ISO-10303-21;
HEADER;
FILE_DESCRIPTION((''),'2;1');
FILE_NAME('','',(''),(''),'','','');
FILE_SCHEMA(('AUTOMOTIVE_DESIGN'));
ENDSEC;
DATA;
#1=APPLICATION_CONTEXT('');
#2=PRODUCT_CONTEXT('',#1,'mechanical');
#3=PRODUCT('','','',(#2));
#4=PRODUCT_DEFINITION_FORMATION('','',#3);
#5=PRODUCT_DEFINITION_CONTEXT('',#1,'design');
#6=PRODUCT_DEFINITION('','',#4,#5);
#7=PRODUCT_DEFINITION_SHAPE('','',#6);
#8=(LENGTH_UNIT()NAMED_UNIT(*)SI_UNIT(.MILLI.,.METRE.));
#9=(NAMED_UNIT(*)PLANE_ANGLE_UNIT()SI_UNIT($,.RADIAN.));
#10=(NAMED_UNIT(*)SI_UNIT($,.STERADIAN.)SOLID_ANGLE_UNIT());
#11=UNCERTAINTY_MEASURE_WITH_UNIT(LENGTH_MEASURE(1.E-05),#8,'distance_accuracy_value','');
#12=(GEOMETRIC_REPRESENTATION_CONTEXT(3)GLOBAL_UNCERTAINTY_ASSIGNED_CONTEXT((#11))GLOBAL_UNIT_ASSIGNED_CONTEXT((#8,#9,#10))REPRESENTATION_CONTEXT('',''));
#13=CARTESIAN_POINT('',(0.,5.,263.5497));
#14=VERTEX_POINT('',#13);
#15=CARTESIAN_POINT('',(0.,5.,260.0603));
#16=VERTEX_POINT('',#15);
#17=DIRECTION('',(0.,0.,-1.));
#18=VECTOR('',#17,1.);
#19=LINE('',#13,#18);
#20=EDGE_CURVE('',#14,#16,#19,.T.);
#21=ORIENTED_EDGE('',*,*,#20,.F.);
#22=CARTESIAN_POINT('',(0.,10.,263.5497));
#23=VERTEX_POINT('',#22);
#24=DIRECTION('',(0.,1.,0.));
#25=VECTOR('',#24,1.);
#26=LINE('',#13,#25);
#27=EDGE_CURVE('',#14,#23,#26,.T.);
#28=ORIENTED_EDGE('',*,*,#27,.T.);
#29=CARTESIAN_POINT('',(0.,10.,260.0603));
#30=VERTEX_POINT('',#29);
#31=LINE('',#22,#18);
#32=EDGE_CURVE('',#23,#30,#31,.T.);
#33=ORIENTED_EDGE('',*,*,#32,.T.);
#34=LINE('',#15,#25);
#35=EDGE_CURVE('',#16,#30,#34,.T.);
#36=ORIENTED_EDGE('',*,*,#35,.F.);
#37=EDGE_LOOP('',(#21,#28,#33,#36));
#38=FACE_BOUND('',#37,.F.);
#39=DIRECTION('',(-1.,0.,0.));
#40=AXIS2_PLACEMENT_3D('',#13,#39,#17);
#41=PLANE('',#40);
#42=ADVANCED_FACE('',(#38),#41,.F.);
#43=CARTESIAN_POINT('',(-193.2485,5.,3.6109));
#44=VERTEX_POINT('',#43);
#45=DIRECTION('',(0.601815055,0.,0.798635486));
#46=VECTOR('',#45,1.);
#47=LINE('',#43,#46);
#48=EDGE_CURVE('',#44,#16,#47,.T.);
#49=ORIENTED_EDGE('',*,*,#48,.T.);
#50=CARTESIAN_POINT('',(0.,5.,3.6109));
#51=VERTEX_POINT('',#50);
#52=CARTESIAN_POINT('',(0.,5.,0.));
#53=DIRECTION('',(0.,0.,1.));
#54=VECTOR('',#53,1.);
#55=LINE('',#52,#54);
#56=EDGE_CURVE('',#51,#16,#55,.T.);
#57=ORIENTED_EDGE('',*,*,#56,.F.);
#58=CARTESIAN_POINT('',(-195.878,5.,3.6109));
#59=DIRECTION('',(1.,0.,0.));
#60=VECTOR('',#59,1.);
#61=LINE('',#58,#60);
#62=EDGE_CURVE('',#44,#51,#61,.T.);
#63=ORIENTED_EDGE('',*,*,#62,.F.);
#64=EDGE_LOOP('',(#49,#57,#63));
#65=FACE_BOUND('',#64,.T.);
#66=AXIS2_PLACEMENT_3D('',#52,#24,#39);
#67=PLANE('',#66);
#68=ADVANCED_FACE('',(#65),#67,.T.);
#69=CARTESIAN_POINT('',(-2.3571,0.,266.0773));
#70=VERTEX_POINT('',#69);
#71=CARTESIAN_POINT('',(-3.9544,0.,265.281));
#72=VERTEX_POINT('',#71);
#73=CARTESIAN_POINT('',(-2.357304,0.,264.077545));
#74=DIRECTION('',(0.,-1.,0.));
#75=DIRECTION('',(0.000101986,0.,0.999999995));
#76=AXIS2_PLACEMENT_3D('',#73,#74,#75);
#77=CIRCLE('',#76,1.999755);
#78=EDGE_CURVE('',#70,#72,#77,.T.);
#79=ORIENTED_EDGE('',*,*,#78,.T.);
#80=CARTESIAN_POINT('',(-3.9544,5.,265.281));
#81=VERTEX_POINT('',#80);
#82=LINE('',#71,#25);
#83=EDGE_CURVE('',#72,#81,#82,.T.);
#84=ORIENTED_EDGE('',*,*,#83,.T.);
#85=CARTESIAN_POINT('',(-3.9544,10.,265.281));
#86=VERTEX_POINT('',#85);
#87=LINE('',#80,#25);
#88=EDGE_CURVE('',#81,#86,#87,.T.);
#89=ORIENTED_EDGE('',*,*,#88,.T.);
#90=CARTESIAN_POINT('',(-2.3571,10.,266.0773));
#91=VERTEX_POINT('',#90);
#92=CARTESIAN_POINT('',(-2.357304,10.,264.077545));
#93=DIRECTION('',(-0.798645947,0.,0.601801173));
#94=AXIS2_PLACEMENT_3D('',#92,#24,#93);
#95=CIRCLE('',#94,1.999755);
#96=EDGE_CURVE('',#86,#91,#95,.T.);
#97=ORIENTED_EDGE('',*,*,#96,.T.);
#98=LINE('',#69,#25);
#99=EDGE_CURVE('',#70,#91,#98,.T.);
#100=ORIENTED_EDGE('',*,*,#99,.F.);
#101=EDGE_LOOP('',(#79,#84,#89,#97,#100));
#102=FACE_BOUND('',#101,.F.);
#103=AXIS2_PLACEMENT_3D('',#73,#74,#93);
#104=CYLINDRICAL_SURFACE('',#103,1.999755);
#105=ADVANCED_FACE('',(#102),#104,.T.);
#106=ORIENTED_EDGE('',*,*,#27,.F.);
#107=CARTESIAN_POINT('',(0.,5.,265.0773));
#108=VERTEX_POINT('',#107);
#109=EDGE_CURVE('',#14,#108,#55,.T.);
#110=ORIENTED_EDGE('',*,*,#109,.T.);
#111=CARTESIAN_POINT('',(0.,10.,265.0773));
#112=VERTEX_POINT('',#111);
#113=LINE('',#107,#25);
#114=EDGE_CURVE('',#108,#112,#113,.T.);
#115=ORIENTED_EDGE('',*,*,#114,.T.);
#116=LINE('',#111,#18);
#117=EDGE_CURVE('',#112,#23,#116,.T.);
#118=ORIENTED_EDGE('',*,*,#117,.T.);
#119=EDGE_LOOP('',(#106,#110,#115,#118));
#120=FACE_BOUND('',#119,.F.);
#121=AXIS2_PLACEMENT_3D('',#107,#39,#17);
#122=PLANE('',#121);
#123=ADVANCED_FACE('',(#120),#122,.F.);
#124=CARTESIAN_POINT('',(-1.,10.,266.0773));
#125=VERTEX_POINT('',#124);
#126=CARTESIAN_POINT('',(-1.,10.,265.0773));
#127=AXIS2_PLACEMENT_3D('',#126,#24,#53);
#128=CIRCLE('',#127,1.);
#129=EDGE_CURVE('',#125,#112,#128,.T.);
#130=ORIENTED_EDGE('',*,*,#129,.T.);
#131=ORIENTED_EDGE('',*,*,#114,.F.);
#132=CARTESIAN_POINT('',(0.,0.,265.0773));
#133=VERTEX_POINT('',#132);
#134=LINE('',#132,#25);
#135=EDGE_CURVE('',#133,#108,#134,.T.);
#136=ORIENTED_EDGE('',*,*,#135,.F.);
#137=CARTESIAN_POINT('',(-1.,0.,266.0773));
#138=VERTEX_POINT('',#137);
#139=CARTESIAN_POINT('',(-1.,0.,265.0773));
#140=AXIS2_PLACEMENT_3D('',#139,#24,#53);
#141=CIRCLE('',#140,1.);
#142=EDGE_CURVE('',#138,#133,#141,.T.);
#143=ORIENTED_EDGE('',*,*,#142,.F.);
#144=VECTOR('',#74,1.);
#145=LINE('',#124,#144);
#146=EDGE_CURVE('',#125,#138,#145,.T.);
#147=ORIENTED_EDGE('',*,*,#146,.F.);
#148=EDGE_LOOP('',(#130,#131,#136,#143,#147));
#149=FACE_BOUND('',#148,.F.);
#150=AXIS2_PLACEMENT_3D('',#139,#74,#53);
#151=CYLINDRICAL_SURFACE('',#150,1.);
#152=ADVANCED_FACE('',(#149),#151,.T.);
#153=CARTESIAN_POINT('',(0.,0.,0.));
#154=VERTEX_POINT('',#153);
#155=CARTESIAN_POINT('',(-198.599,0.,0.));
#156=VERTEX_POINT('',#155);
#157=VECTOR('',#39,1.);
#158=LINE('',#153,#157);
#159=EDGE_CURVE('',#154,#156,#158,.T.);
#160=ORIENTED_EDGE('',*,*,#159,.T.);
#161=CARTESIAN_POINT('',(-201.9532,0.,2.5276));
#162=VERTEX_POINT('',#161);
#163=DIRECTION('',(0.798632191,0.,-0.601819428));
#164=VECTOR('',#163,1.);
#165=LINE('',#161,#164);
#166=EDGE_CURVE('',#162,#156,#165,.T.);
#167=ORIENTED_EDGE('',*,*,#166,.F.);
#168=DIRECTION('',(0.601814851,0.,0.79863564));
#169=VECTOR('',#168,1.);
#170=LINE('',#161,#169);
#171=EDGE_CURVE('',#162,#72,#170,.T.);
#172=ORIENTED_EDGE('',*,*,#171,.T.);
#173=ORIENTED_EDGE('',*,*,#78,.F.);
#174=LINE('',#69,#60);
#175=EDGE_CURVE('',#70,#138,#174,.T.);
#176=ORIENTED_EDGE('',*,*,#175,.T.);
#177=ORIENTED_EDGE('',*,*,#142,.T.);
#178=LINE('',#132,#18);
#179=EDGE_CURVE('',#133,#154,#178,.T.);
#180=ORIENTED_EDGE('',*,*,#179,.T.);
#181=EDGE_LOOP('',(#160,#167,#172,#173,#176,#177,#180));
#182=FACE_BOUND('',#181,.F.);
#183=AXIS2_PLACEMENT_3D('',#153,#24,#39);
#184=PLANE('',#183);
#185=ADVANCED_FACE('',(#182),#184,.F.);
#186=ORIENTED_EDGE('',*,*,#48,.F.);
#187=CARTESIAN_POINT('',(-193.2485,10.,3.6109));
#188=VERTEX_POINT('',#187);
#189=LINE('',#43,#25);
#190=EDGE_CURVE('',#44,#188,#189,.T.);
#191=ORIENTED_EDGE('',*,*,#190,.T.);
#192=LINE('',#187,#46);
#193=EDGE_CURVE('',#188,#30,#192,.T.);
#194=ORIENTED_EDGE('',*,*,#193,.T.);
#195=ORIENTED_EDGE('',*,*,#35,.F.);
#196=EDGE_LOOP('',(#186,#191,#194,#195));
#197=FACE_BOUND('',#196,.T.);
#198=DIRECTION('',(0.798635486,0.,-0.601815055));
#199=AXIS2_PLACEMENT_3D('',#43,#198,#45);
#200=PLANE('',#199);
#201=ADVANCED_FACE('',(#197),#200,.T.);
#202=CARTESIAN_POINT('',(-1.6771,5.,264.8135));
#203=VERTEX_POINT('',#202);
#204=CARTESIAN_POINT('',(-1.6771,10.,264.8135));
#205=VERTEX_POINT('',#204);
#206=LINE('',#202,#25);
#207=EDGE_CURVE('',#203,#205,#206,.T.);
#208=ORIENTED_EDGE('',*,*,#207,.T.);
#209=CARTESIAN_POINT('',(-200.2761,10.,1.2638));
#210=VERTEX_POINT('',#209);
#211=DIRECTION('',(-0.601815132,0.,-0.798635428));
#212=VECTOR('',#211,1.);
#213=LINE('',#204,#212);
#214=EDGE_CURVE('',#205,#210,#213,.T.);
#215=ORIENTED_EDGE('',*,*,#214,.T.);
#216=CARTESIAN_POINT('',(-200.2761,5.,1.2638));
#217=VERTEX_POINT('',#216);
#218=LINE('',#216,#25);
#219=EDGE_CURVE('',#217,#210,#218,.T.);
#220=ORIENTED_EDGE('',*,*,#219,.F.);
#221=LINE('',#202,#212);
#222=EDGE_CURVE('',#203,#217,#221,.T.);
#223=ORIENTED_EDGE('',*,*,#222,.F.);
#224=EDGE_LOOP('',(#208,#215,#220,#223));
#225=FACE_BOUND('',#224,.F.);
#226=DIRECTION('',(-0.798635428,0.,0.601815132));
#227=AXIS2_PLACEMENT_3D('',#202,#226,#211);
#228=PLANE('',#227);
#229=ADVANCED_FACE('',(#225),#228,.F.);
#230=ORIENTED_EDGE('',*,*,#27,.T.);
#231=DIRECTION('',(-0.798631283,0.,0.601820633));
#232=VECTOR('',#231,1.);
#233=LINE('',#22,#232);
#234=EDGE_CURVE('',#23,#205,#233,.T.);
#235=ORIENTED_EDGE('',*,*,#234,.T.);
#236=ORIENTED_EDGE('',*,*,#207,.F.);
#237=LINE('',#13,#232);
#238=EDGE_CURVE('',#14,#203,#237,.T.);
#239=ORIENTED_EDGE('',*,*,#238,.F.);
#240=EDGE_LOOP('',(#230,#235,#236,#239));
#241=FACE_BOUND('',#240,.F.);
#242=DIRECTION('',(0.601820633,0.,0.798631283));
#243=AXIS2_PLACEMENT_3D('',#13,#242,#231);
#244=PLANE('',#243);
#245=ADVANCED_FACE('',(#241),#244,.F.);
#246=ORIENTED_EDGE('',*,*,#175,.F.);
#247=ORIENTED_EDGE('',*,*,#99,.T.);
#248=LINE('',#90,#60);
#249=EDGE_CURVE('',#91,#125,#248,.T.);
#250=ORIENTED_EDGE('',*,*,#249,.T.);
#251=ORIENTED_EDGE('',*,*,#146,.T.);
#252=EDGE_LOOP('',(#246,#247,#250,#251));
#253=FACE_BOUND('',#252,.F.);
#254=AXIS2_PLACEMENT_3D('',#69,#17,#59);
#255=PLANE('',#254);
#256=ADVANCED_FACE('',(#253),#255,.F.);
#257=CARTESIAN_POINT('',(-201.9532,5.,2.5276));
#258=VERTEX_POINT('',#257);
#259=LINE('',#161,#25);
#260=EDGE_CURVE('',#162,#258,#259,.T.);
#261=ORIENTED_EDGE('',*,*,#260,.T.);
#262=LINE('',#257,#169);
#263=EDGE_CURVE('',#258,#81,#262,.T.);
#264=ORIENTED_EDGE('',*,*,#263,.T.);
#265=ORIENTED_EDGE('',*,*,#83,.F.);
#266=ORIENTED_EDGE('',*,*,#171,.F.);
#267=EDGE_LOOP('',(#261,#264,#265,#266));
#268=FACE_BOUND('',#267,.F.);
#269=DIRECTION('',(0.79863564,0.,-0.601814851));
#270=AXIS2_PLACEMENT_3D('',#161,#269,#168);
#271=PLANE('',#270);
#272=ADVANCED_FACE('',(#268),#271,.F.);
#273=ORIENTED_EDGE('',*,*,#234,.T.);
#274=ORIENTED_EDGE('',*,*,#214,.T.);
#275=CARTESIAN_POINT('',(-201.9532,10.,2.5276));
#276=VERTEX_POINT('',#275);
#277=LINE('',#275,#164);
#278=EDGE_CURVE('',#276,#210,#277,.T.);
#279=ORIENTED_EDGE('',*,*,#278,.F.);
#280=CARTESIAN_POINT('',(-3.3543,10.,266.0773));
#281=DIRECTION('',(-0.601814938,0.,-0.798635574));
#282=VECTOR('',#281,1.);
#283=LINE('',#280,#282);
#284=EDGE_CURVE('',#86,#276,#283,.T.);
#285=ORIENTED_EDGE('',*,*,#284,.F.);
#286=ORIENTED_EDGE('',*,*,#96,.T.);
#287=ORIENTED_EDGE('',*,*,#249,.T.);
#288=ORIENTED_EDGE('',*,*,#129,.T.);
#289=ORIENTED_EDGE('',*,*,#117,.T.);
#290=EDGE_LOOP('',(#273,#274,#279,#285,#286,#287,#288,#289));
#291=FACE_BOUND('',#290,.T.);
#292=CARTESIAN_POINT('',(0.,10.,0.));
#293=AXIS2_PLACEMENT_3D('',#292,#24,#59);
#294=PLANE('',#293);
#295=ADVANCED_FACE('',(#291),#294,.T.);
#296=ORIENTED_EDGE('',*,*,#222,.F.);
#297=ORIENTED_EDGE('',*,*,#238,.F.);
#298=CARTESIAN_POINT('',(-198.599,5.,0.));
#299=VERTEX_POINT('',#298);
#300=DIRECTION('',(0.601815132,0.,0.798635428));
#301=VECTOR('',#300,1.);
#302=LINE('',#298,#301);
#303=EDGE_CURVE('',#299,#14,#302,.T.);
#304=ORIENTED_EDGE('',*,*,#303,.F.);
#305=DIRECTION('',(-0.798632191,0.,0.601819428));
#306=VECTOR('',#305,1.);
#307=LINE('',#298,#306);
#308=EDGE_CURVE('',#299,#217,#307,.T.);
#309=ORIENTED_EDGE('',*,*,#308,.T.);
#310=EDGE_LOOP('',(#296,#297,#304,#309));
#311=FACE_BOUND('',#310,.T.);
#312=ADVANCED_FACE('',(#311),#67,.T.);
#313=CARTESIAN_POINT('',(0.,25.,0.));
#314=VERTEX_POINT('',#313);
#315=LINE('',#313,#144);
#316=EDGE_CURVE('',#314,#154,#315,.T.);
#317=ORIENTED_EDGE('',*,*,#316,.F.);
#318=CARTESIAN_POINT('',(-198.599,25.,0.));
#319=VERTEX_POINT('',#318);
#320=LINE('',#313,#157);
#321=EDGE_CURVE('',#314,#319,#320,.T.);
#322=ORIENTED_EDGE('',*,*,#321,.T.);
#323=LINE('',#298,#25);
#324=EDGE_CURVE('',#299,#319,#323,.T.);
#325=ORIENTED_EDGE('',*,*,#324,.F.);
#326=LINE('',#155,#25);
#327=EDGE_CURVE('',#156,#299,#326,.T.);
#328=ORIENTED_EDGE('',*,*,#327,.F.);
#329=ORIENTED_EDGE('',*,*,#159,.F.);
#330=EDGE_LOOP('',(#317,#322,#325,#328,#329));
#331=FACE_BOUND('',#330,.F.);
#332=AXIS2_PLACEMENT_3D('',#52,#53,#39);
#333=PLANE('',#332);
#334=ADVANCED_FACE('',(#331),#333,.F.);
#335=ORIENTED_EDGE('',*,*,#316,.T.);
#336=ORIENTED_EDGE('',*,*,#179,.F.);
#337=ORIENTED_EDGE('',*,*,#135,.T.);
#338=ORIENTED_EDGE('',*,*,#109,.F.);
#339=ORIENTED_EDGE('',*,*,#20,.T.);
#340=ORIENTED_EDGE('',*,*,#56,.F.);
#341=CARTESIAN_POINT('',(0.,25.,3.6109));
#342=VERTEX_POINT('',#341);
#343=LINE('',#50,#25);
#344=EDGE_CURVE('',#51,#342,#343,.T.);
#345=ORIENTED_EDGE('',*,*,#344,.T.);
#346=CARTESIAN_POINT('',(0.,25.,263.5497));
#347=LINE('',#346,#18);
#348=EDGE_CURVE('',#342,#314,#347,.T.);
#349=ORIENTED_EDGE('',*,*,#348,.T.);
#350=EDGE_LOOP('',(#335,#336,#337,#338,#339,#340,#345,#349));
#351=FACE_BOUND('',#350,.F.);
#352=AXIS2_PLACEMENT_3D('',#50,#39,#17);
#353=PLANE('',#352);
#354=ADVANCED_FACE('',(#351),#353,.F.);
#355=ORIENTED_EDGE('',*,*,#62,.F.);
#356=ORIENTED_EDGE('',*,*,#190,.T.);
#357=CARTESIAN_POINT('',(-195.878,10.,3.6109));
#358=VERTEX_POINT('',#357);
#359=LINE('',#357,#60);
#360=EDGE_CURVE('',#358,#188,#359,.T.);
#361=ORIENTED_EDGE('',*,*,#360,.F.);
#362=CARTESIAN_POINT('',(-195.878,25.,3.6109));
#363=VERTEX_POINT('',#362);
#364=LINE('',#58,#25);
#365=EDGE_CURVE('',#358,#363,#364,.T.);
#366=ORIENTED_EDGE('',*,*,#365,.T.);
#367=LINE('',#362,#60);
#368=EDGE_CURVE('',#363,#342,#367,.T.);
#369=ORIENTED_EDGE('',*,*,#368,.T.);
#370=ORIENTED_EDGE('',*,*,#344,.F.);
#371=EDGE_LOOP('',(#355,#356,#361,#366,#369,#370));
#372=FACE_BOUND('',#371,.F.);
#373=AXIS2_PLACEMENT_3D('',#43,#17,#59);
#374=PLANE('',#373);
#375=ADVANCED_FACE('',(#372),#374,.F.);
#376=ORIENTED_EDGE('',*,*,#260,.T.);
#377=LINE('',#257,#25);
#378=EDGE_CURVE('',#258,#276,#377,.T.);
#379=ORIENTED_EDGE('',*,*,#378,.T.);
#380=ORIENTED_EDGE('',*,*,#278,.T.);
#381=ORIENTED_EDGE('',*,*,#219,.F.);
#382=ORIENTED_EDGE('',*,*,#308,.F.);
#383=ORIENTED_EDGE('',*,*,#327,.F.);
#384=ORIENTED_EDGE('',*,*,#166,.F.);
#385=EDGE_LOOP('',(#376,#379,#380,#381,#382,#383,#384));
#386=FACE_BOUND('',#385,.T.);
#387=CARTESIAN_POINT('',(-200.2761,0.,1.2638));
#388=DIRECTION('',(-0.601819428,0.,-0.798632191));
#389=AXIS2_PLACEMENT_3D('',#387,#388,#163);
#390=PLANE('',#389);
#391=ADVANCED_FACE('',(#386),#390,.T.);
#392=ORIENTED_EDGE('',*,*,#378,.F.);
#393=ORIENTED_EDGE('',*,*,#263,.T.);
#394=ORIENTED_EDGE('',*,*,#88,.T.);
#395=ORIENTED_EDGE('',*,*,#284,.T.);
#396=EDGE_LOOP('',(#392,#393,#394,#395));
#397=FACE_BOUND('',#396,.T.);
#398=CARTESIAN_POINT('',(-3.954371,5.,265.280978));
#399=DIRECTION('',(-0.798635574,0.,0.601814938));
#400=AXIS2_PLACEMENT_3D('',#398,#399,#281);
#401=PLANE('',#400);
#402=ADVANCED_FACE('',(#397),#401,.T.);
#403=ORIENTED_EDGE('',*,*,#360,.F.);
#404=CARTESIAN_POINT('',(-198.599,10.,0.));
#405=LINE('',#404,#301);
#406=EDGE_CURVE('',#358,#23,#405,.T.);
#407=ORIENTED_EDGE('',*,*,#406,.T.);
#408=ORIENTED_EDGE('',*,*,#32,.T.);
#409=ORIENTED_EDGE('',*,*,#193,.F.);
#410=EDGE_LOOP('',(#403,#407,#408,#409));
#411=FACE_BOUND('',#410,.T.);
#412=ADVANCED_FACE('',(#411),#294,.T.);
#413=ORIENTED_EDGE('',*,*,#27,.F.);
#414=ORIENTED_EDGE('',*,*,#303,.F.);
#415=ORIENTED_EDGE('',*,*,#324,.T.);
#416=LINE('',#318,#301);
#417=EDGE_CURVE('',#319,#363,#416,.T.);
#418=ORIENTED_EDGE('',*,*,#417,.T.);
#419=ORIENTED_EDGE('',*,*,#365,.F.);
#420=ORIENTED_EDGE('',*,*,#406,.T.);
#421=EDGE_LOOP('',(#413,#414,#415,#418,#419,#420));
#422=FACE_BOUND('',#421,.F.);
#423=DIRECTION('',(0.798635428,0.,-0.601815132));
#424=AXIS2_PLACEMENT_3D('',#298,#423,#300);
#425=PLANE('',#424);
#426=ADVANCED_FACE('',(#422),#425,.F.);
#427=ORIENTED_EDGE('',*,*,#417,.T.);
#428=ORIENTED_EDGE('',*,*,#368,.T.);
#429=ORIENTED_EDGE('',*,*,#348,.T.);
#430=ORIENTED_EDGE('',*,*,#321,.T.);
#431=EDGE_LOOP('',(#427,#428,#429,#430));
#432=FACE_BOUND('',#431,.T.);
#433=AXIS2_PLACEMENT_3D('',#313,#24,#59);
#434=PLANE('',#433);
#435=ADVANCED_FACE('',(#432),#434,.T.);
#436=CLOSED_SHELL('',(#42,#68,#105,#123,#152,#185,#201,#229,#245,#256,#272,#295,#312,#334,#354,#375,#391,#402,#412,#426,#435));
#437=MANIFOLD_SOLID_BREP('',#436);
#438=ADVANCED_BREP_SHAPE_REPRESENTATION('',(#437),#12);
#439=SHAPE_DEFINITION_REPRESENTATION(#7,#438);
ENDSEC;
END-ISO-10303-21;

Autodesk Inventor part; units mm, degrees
ref_plane "YZ Plane" through (0, 0, 0) normal (1, 0, 0) x (0, 1, 0)
ref_plane "XZ Plane" through (0, 0, 0) normal (0, 1, 0) x (-1, 0, 0)
ref_plane "XY Plane" through (0, 0, 0) normal (0, 0, 1) x (1, 0, 0)
sketch "Skizze1" plane through (0, 0, 0) normal (0, 1, 0) x (-1, 0, 0)
  line L0 (0, 0) -> (198.599, 0)
  line L1 (198.599, 0) -> (0, 263.5497)
  line L2 (0, 263.5497) -> (0, 0)
  line L3 (-198.599, 0) -> (0, -263.5497)
  line L4 (0, 0) -> (-198.599, 0)
  line L5 (-198.599, 0) -> (0, -263.5497)
  line L6 (0, -263.5497) -> (-3.3543, -266.0773)
  line L7 (-3.3543, -266.0773) -> (-201.9532, -2.5276)
  line L8 (-201.9532, -2.5276) -> (-198.599, 0)
  line L9 (-195.878, -3.6109) -> (0, -3.6109)
  line L10 (0, -263.5497) -> (0, 0)
  line L11 (0, -3.6109) -> (0, 0)
  line L12 (-1.6771, -264.8135) -> (-200.2761, -1.2638)
  line L13 (-195.878, -3.6109) -> (-198.599, 0)
  line L14 (0, 0) -> (-198.599, 0)
  line L15 (-1.6771, -264.8135) -> (-3.3543, -266.0773)
  line L16 (0, 263.5497) -> (1.6771, 264.8135)
  line L17 (1.6771, 264.8135) -> (200.2761, 1.2638)
  line L18 (200.2761, 1.2638) -> (198.599, 0)
  line L19 (200.2761, 1.2638) -> (201.9532, 2.5276)
  line L20 (201.9532, 2.5276) -> (3.9544, 265.281)
  line L21 (3.3543, 266.0773) -> (1.6771, 264.8135)
  line L22 (2.3571, 266.0773) -> (1, 266.0773)
  line L23 (0, 265.0773) -> (0, 263.5497)
  arc A0 (3.9544, 265.281) -> (2.3571, 266.0773) centre (2.3571, 264.0773) ccw
  arc A1 (1, 266.0773) -> (0, 265.0773) centre (1, 265.0773) ccw
  point P0 (3.1416, 265.9171)
  dimension "d0" = 37
  dimension "d1" = 330
  dimension "d7" = 4.2
  dimension "d8" = 2.1
  dimension "d9" = 2.1
  dimension "d11" = 2
  dimension "d12" = 1
extrude "Extrusion1" add sketch "Skizze1" along normal blind 5 contours L2 L1 L0 | L1 L16 L17 L18 | L23 A1 L22 A0 L21 L16 | L17 L21 A0 L20 L19
sketch "Skizze2" plane through (0, 5, 0) normal (0, 1, 0) x (1, 0, 0)
  line L0 (-198.599, 0) -> (0, -263.5497) projected
  line L1 (0, 0) -> (-198.599, 0)
  line L2 (-198.599, 0) -> (0, -263.5497)
  line L3 (0, -263.5497) -> (-3.1416, -265.9171)
  line L4 (-3.3543, -266.0773) -> (-201.9532, -2.5276)
  line L5 (-201.9532, -2.5276) -> (-198.599, 0)
  line L6 (-195.878, -3.6109) -> (0, -3.6109)
  line L7 (0, -263.5497) -> (0, 0) projected
  line L8 (0, -3.6109) -> (0, 0)
  line L9 (-1.6771, -264.8135) -> (-200.2761, -1.2638)
  line L10 (-195.878, -3.6109) -> (-198.599, 0)
  line L11 (0, 0) -> (-198.599, 0) projected
  line L12 (-1.6771, -264.8135) -> (-3.3543, -266.0773)
  line L13 (-193.2485, -3.6109) -> (0, -260.0603)
  line L14 (0, -260.0603) -> (0, -263.5497)
  line L15 (0, -265.0773) -> (0, 0) projected
  line L16 (0, 0) -> (-198.599, 0) projected
  line L17 (-198.599, 0) -> (-201.9532, -2.5276) projected
  line L18 (-201.9532, -2.5276) -> (-3.9544, -265.281) projected
  arc A0 (-3.9544, -265.281) -> (-2.3571, -266.0773) centre (-2.3571, -264.0773) ccw projected
  line L19 (-2.3571, -266.0773) -> (-1, -266.0773) projected
  arc A1 (-1, -266.0773) -> (0, -265.0773) centre (-1, -265.0773) ccw projected
  line L20 (-3.1416, -265.9171) -> (-3.3543, -266.0773)
  point P0 (-3.9544, -265.281)
  dimension "d4" = 4.2
  dimension "d10" = 2.1
extrude "Extrusion2" add sketch "Skizze2" along normal blind 5 contours L6 L13 L7 L0 | L9 L3 A0 L4 L5 | L15 A1 L19 A0 L3
extrude "Extrusion3" add sketch "Skizze2" along normal blind 20 contours L1 L7 L6 L0
properties part number "SolarMountLeft"
